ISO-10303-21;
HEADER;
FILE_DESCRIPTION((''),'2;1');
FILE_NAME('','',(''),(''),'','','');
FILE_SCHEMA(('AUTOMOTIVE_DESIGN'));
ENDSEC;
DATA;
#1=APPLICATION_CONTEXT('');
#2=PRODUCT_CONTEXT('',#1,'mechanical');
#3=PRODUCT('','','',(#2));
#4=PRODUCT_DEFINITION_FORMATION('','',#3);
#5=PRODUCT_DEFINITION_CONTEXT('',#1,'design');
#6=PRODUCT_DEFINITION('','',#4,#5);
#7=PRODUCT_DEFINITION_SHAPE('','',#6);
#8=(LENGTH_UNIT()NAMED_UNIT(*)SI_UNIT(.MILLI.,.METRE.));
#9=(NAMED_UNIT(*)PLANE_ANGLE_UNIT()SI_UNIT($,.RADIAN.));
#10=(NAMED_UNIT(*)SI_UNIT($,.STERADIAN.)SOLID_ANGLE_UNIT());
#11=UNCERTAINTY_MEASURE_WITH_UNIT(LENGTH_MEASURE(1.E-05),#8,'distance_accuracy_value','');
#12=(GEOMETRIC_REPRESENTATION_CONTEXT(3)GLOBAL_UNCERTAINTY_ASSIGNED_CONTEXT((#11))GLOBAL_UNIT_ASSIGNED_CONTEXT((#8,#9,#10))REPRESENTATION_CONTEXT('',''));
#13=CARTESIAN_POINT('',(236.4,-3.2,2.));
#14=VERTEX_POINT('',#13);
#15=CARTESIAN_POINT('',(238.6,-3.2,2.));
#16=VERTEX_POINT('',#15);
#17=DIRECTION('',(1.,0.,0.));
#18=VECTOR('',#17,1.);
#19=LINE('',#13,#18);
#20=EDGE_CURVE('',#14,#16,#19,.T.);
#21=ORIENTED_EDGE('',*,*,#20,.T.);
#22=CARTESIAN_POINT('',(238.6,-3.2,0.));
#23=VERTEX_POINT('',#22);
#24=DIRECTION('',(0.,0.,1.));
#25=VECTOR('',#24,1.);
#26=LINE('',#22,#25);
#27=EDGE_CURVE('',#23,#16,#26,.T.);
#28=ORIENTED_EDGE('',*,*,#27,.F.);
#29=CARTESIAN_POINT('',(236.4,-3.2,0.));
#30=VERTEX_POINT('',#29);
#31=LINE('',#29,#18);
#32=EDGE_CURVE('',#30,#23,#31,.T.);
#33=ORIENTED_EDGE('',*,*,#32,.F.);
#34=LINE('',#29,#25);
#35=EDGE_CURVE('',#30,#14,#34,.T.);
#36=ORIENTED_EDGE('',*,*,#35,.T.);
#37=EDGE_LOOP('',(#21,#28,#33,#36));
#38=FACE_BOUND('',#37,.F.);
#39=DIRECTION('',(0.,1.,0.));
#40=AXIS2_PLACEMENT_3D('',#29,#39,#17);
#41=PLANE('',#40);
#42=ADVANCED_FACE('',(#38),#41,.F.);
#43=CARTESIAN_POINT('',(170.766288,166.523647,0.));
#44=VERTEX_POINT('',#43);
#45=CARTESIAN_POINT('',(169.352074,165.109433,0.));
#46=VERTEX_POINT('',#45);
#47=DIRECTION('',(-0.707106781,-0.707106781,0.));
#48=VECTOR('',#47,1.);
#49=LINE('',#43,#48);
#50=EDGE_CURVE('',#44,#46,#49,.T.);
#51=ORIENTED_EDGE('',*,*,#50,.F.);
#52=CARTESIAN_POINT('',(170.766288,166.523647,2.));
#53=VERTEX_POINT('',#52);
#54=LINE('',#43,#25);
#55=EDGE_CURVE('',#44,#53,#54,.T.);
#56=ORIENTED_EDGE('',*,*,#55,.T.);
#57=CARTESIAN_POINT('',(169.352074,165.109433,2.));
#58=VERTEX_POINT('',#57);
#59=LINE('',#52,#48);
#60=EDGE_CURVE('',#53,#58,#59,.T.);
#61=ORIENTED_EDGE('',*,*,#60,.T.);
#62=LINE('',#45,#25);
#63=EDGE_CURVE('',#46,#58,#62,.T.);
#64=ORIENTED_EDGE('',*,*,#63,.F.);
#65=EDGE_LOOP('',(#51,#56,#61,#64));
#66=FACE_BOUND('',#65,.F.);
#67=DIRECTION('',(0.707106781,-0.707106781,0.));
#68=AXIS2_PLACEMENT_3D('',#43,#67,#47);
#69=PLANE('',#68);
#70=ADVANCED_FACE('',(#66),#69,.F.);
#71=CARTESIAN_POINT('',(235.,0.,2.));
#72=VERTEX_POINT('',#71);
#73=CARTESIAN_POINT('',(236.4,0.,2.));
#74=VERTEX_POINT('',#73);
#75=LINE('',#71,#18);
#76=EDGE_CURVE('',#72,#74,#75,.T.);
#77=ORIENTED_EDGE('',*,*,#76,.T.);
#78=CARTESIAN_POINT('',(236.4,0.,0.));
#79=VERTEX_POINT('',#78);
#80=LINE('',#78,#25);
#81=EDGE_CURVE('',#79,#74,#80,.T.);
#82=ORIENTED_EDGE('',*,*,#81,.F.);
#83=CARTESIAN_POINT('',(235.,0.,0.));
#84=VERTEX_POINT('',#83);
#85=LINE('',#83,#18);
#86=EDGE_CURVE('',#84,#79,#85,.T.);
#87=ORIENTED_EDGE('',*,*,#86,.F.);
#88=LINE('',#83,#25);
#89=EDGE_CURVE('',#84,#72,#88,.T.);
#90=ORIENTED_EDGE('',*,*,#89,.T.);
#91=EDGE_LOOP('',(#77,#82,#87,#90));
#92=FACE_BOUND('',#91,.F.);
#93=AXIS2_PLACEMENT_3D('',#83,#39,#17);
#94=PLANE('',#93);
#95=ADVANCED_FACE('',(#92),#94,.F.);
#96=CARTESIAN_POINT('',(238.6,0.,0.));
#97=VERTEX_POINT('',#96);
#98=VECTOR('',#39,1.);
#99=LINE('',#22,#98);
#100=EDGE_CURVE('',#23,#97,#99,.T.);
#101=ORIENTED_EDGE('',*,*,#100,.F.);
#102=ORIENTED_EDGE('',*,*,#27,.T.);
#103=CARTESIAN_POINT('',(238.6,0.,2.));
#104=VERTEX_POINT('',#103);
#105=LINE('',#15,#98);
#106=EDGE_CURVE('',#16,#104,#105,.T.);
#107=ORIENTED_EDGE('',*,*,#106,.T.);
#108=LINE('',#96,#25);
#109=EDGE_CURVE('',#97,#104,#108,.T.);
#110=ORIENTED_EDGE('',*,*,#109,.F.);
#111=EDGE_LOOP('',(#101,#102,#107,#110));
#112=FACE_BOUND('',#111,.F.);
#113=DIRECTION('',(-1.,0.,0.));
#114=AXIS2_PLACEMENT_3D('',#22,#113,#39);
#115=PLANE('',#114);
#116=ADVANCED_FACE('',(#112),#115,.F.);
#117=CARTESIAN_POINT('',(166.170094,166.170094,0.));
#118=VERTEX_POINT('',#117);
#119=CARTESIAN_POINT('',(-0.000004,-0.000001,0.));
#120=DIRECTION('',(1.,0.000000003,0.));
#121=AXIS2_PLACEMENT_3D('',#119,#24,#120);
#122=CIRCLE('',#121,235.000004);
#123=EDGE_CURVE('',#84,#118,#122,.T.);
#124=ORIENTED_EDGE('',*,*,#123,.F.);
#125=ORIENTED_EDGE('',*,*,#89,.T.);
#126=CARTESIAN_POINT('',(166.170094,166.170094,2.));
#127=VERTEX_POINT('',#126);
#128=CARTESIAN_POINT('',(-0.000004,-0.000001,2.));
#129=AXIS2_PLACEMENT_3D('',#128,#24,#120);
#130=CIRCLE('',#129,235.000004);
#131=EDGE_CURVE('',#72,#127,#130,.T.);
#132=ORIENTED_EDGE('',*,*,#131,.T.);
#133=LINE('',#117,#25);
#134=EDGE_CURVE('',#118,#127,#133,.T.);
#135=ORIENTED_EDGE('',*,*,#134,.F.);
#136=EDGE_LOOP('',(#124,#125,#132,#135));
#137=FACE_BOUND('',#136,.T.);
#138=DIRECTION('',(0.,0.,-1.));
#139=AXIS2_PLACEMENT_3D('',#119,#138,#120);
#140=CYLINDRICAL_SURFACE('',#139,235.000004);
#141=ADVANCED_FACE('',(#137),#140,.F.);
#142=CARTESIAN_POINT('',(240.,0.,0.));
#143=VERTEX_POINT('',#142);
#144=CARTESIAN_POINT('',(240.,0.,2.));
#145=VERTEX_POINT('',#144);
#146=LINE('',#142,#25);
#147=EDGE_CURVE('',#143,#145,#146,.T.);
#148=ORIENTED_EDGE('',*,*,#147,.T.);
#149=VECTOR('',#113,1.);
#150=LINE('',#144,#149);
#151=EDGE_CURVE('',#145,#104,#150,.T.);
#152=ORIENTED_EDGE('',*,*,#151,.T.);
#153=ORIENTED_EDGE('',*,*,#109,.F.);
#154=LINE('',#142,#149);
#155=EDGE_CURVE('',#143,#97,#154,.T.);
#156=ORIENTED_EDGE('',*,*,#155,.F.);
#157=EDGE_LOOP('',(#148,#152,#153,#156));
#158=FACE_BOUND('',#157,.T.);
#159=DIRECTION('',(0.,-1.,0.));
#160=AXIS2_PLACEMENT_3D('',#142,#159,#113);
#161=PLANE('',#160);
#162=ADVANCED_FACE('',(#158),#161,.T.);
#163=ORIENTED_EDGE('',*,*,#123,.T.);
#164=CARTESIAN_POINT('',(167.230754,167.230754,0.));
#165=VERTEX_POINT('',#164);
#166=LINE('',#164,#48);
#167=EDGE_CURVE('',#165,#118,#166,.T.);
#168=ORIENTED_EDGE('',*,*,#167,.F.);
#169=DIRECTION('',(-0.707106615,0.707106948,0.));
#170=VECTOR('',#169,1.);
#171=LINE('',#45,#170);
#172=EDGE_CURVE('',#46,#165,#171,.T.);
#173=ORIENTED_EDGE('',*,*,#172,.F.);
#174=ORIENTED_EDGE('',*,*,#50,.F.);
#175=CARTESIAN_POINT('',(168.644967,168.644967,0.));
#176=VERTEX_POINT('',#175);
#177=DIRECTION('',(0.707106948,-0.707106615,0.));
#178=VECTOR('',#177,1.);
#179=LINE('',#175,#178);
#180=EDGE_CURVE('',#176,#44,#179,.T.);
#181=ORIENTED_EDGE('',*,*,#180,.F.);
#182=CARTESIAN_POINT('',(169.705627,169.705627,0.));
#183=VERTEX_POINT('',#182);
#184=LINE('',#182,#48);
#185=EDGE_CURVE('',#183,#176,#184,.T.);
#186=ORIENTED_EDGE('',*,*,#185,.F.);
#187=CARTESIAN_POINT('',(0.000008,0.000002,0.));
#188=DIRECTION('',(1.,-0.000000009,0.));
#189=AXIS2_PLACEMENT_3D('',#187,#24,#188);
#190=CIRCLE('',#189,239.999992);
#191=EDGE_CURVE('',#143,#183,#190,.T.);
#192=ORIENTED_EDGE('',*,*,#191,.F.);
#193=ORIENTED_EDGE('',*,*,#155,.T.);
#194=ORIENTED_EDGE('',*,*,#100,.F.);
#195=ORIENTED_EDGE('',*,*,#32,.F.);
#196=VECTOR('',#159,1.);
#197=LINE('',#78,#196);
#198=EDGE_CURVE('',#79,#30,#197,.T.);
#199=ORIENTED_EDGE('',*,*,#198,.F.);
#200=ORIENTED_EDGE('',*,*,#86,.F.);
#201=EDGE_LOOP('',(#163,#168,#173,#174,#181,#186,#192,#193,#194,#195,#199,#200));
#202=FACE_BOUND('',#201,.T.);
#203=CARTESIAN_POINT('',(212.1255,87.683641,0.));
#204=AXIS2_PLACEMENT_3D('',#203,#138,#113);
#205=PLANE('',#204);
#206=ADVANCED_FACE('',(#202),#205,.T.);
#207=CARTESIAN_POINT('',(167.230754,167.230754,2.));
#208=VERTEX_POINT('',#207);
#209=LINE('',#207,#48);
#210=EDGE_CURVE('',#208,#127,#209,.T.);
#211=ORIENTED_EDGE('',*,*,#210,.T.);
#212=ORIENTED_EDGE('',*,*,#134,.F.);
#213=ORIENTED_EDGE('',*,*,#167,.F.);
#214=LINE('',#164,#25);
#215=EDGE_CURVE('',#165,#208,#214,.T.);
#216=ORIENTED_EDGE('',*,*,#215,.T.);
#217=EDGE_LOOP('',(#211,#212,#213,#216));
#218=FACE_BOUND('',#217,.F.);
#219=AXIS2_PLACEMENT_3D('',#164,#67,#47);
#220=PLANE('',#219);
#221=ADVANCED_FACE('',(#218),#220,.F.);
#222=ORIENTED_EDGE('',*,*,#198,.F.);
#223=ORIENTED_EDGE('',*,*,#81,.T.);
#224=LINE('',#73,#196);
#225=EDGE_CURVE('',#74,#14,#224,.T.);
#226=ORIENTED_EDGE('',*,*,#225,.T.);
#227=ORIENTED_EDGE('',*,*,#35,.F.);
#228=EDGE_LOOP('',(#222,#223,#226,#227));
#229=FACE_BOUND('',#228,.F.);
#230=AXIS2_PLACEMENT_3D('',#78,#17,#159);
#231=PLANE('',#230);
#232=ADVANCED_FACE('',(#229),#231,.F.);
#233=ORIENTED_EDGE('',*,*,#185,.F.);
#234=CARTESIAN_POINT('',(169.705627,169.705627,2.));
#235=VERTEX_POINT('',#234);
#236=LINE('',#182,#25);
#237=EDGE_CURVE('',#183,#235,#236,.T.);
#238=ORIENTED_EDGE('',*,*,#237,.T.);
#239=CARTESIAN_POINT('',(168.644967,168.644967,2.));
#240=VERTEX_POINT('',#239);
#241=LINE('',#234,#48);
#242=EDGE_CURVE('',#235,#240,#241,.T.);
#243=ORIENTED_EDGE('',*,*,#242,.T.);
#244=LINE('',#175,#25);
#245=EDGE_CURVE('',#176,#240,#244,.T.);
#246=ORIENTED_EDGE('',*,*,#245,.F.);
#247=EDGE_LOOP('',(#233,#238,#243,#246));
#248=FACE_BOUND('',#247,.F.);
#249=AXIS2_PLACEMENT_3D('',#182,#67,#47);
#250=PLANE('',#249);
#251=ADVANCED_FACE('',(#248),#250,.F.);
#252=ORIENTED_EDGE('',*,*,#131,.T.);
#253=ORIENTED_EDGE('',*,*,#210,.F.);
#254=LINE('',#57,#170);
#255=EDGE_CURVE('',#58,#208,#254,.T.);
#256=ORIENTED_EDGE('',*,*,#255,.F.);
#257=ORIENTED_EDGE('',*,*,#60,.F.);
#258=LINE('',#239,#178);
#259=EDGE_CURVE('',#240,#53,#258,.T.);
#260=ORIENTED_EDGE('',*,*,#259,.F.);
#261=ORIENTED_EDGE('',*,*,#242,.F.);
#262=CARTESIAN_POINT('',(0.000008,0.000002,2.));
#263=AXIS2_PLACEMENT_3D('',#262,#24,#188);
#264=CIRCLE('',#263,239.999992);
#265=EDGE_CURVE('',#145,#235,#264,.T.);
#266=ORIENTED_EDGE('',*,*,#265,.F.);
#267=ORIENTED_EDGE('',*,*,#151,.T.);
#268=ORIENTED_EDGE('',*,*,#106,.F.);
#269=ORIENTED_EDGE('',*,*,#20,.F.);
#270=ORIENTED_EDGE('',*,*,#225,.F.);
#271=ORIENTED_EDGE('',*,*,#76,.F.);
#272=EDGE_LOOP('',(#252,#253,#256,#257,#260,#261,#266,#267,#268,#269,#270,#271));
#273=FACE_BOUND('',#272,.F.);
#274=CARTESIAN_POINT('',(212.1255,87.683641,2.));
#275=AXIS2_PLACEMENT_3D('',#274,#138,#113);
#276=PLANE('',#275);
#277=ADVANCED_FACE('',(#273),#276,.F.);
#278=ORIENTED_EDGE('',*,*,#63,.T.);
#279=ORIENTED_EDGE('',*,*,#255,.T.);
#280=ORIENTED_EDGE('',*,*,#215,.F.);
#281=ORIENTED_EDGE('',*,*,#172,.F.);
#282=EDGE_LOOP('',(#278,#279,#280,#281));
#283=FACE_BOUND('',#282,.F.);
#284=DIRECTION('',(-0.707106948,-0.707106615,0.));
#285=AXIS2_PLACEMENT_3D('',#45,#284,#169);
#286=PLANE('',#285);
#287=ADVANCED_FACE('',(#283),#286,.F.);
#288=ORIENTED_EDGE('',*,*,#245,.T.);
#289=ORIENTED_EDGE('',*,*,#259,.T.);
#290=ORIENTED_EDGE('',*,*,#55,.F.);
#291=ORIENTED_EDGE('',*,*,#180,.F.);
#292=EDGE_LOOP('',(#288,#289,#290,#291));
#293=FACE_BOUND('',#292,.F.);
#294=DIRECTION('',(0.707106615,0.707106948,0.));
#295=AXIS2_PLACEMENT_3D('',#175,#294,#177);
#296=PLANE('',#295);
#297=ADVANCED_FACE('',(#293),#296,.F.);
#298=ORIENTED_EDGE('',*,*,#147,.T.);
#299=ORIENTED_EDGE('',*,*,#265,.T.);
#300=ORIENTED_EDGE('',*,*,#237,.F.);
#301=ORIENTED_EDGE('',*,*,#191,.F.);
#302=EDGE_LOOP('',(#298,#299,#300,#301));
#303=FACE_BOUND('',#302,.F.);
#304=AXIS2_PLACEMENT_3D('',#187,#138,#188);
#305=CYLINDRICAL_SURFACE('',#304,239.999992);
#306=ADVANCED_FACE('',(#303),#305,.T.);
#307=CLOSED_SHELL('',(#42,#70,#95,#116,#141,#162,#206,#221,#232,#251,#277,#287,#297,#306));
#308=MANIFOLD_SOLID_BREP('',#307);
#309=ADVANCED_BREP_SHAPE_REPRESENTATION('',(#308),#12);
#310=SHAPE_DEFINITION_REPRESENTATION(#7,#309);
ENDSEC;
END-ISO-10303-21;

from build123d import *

# Parameters (mm, degrees)
PAD_DEPTH = 2


with BuildPart() as part:
    # Sketch → Pad (new body)
    with BuildSketch(Plane.XY):
        with BuildLine():
            ThreePointArc((235, 0), (217.11169, 89.930607), (166.170094, 166.170094))
            Line((167.230754, 167.230754), (166.170094, 166.170094))
            Line((169.352074, 165.109433), (167.230754, 167.230754))
            Line((170.766288, 166.523647), (169.352074, 165.109433))
            Line((168.644967, 168.644967), (170.766288, 166.523647))
            Line((169.705627, 169.705627), (168.644967, 168.644967))
            ThreePointArc((240, 0), (221.731088, 91.844024), (169.705627, 169.705627))
            Line((240, 0), (238.6, 0))
            Line((238.6, -3.2), (238.6, 0))
            Line((236.4, -3.2), (238.6, -3.2))
            Line((236.4, 0), (236.4, -3.2))
            Line((235, 0), (236.4, 0))
        make_face()
    extrude(amount=PAD_DEPTH)


solid = part.part
